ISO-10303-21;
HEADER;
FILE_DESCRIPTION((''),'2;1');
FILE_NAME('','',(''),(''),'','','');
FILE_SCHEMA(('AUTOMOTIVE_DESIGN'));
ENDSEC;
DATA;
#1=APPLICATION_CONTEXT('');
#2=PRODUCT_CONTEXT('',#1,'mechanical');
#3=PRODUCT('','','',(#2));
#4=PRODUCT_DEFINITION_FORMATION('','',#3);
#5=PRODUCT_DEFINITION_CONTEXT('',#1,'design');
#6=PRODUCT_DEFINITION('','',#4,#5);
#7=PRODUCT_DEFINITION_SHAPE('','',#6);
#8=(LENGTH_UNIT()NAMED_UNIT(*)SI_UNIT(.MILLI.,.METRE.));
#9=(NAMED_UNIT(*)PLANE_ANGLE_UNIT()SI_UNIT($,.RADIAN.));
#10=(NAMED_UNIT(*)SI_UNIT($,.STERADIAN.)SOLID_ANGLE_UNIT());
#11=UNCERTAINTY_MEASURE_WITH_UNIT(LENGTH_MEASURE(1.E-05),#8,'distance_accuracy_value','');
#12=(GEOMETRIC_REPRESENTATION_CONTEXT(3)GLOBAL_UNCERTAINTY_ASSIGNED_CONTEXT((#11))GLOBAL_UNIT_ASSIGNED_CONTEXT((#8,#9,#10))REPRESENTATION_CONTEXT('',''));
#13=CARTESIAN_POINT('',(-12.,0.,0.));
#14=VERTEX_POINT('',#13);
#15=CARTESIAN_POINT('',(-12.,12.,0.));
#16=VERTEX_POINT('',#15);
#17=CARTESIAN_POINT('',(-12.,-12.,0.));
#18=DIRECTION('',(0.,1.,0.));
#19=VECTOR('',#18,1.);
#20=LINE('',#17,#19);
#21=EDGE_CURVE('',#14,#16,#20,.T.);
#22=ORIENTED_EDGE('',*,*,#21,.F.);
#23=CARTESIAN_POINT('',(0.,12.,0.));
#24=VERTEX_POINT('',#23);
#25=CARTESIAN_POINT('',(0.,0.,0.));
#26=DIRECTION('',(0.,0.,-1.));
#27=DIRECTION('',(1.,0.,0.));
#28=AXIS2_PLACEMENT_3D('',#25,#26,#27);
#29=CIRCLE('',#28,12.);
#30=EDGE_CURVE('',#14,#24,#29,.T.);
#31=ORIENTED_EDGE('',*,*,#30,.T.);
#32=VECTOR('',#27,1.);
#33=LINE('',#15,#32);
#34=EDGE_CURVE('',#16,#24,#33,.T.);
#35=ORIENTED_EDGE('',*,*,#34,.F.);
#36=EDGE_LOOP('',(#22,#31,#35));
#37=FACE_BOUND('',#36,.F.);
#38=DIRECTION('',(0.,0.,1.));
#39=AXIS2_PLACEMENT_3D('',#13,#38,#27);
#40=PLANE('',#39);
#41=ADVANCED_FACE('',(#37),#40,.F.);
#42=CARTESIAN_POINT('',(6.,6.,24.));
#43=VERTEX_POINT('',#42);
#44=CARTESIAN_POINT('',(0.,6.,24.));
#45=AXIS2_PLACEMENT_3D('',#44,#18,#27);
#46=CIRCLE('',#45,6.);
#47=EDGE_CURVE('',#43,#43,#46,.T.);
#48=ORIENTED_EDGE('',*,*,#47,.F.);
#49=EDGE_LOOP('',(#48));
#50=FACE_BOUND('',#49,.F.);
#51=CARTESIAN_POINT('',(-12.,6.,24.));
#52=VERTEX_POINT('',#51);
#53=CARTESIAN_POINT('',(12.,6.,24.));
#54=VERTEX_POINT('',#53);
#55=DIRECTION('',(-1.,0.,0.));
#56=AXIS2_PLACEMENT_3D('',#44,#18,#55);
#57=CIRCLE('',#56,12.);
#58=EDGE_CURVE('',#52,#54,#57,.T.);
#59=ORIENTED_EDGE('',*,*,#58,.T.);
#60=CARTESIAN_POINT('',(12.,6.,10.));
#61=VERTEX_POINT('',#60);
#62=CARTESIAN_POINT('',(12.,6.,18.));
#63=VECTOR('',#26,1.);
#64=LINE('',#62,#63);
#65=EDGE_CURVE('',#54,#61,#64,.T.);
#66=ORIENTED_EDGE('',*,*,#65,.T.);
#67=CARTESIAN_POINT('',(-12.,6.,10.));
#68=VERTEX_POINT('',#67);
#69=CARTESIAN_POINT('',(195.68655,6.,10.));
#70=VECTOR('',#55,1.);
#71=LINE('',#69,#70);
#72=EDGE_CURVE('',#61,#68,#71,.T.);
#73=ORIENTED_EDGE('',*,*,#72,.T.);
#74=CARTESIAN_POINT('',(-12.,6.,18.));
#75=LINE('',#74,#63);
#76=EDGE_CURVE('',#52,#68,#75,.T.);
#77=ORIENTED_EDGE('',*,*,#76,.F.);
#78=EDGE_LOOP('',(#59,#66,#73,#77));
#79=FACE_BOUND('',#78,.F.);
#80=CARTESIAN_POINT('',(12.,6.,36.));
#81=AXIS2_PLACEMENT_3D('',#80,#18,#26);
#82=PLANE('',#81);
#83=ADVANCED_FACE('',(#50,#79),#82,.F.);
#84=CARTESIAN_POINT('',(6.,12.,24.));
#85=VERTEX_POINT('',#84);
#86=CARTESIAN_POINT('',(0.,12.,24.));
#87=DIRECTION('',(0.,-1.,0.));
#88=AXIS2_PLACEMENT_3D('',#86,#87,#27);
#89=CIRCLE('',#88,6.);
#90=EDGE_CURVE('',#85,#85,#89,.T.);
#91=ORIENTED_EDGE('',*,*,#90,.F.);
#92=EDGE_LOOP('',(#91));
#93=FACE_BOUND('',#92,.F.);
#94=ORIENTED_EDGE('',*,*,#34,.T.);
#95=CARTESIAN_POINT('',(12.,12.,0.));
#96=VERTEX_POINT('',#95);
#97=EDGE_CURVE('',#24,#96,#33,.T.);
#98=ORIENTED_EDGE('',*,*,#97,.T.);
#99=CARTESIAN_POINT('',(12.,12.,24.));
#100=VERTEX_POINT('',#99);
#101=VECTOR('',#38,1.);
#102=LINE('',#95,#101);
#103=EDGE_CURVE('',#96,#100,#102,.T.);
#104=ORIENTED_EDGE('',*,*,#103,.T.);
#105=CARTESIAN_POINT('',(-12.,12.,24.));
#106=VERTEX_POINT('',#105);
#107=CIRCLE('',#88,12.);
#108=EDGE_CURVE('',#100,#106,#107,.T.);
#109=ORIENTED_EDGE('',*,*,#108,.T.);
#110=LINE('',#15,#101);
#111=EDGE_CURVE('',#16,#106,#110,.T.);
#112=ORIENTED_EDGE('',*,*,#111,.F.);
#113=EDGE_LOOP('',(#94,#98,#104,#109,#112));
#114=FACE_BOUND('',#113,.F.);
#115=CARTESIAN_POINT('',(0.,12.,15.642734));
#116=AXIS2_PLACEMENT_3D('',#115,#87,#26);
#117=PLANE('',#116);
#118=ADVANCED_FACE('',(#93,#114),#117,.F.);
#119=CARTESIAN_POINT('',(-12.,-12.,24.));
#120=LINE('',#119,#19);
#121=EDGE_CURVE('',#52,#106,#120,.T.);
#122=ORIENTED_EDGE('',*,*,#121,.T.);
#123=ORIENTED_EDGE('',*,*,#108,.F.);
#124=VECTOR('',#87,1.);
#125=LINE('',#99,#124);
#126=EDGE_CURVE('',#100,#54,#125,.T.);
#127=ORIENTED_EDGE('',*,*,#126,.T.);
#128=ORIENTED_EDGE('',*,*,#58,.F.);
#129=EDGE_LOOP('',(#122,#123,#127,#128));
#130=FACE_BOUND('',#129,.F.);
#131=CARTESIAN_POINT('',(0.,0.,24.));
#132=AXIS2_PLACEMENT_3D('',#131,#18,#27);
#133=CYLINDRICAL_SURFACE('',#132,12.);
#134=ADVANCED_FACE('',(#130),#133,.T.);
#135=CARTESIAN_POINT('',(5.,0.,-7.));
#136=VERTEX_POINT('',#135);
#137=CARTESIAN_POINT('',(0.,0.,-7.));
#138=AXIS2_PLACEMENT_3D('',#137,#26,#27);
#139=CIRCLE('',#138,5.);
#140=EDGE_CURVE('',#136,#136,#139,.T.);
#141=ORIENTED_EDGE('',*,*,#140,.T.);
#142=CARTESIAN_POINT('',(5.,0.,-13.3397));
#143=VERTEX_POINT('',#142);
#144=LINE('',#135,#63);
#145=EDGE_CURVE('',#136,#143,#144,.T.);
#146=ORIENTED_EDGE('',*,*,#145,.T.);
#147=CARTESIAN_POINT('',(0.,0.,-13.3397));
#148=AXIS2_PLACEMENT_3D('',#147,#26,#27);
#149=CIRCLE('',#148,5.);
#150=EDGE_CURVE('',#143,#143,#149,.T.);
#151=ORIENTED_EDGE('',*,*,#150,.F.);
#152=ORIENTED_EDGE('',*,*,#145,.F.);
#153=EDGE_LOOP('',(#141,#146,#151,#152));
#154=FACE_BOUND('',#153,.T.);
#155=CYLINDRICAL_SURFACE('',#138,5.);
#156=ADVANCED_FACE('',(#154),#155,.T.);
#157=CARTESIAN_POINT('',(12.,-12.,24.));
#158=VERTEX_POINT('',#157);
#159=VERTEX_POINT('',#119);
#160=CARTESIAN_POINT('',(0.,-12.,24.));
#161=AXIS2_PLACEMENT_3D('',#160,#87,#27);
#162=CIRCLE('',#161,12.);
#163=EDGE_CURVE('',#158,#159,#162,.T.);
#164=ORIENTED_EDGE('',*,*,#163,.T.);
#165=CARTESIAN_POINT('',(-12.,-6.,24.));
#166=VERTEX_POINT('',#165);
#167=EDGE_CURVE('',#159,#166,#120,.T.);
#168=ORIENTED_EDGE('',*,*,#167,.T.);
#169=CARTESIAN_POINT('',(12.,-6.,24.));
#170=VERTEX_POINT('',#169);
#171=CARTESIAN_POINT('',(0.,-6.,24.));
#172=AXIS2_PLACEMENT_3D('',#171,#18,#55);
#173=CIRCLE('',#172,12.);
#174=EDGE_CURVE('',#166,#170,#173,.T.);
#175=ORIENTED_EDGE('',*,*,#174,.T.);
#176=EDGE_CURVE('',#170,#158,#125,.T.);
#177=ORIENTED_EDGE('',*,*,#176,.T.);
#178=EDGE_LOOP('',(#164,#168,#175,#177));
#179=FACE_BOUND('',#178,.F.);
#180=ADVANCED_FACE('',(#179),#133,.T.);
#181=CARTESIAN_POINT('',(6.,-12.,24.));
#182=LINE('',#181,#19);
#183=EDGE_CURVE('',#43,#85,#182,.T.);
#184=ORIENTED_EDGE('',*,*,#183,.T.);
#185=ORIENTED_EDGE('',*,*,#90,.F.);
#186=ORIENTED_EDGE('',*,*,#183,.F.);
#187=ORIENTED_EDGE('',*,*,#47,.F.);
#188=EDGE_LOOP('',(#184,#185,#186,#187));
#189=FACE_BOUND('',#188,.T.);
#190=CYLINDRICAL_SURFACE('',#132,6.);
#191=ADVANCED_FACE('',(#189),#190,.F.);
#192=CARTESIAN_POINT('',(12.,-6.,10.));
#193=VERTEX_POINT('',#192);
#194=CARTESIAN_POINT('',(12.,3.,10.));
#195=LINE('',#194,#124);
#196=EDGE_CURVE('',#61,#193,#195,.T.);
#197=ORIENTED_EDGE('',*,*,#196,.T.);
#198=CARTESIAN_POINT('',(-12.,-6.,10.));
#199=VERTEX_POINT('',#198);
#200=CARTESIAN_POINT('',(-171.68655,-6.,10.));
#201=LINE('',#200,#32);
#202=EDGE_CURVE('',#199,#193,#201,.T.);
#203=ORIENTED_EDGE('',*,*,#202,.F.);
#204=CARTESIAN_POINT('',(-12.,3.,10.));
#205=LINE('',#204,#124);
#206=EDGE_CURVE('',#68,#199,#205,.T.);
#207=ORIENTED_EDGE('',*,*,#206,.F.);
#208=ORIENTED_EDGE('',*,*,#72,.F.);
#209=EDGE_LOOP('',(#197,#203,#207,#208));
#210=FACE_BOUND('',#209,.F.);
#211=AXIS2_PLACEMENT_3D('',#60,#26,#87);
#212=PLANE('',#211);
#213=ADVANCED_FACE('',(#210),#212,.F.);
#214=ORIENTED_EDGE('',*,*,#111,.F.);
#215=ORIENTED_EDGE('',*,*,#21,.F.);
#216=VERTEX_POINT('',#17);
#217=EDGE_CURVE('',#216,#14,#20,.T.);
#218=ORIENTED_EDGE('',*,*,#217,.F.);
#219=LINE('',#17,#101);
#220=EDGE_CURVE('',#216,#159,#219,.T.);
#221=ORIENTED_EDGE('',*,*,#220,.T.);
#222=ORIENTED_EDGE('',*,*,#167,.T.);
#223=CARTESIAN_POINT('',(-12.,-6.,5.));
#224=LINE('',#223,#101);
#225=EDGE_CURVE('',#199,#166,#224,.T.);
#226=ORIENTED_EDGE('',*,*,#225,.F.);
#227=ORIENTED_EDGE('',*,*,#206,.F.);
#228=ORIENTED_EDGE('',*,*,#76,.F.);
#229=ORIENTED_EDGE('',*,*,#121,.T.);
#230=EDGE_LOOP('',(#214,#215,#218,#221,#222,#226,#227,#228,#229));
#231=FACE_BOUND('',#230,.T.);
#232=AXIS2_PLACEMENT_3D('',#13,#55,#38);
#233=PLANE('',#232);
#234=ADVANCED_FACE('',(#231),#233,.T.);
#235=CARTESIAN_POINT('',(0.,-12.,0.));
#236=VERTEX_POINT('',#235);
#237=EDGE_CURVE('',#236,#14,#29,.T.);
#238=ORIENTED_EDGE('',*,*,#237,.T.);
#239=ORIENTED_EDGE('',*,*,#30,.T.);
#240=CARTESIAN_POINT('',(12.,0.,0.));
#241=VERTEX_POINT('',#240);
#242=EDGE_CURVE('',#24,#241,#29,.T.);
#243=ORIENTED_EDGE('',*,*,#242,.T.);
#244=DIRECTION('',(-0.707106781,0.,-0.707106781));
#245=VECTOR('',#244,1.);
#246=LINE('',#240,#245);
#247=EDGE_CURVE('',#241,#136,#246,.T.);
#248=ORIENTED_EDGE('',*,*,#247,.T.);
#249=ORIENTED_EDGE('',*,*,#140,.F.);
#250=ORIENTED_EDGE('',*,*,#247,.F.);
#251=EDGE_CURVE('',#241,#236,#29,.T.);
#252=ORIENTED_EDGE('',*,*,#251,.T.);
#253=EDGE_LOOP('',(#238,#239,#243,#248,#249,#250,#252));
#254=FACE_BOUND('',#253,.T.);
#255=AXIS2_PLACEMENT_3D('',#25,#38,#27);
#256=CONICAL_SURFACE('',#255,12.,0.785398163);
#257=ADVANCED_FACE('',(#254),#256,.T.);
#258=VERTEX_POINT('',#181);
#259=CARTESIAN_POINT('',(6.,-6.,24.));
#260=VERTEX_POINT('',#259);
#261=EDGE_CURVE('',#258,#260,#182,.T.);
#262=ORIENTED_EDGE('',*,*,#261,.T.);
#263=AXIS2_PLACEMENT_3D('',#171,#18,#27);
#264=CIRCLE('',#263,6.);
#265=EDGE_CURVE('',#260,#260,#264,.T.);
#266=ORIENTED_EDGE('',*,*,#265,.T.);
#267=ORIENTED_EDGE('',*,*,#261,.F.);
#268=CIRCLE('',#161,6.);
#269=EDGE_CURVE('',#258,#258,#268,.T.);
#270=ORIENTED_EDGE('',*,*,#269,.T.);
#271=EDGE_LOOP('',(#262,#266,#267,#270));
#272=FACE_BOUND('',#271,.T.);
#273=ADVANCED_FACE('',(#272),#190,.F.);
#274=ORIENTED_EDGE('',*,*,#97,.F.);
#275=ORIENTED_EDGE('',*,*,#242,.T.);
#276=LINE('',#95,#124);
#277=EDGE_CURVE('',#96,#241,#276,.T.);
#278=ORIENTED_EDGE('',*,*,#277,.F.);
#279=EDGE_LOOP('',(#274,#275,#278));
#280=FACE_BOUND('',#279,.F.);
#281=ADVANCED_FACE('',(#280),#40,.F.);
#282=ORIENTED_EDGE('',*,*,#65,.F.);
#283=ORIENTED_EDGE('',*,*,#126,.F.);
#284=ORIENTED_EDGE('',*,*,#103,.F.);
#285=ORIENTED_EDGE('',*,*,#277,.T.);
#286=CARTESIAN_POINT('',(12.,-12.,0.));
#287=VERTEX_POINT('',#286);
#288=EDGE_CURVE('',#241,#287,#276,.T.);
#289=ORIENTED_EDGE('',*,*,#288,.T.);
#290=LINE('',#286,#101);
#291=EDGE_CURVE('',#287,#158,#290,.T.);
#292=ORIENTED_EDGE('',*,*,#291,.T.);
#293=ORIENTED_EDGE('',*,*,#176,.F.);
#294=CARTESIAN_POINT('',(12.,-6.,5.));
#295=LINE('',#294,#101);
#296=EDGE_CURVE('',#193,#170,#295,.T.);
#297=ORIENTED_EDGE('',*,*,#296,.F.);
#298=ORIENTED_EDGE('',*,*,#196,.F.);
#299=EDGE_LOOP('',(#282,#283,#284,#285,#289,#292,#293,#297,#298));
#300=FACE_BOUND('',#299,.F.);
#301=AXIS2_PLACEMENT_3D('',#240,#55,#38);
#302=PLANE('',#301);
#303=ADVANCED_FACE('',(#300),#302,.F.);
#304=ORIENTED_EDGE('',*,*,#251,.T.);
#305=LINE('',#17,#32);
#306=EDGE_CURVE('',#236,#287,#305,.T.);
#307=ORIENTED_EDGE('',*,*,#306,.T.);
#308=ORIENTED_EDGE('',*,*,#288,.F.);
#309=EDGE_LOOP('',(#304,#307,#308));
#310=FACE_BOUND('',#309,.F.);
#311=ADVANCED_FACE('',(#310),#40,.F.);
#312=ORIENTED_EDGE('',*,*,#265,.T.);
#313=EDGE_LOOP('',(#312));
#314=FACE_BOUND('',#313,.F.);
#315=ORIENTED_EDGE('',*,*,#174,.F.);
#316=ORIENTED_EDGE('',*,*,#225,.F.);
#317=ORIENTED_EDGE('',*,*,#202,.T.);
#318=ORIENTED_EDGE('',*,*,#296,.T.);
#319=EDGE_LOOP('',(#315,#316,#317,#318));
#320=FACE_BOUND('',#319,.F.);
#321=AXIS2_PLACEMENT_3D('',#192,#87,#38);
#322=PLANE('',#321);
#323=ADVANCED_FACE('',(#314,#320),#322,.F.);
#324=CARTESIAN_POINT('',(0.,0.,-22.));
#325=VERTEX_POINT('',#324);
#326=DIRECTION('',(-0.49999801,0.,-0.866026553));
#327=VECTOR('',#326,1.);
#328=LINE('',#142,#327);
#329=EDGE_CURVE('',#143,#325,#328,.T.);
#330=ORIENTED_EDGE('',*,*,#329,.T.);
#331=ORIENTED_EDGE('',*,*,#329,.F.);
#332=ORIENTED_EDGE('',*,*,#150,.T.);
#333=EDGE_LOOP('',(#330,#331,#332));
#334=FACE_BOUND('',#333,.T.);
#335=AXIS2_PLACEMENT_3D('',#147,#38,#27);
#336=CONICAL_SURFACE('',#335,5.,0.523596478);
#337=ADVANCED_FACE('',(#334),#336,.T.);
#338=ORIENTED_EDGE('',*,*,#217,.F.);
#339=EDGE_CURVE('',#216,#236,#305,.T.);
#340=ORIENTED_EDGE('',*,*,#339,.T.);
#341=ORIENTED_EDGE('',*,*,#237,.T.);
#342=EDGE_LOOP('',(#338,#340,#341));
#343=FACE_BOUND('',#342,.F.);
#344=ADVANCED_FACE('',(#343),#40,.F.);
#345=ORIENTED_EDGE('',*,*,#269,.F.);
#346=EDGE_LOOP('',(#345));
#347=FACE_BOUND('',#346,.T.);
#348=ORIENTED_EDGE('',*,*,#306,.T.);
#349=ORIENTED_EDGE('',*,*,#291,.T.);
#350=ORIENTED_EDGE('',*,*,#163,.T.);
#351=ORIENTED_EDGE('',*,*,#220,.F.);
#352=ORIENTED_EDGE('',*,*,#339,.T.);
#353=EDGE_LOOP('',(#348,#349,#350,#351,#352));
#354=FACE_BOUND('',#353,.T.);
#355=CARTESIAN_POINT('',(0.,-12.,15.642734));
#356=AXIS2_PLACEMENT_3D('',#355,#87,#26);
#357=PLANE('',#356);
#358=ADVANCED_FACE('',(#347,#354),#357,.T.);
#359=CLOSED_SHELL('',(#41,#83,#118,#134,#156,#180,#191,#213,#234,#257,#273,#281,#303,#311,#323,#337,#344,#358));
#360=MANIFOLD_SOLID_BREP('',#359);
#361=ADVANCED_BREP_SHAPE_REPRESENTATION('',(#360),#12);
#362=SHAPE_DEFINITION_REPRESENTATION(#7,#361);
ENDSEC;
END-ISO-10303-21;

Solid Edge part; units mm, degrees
sketch "Sketch1" plane through (0, 0, 0) normal (0, -1, 0) x (1, 0, 0)
  line L0 (-12, 0) -> (12, 0)
  line L1 (12, 0) -> (12, 24)
  line L2 (-12, 0) -> (-12, 24)
  arc A0 (12, 24) -> (-12, 24) centre (0, 24) ccw
  circle A1 centre (0, 24) radius 6
  dimension "D1" = 24
  dimension "D2" = 24
extrude "Protrusion1" add sketch "Sketch1" along normal mid plane 24
sketch "Sketch2" plane through (12, 0, 12) normal (1, 0, 0) x (0, 1, 0)
  line L0 (-6, 24) -> (6, 24)
  line L1 (6, 24) -> (6, -2)
  line L2 (6, -2) -> (-6, -2)
  line L3 (-6, -2) -> (-6, 24)
  dimension "D1" = 10
  dimension "D2" = 12
extrude "ExtrudedCutout_1" cut sketch "Sketch2" along normal mid plane 367.3731
sketch "Sketch3" plane through (0, 0, 0) normal (0, -1, 0) x (1, 0, 0)
  line L0 (12, 0) -> (0, 0)
  line L1 (5, -13.3397) -> (0, -22)
  line L2 (5, -7) -> (5, -13.3397)
  line L3 (12, 0) -> (5, -7)
  dimension "D1" = 46
  dimension "D2" = 15
  dimension "D3" = 5
revolve "RevolvedProtrusion1" add sketch "Sketch3" angle 360 about axis through (0, 0, 0) along (0, 0, -1)
properties part number "12" material "Fe 410 W"
